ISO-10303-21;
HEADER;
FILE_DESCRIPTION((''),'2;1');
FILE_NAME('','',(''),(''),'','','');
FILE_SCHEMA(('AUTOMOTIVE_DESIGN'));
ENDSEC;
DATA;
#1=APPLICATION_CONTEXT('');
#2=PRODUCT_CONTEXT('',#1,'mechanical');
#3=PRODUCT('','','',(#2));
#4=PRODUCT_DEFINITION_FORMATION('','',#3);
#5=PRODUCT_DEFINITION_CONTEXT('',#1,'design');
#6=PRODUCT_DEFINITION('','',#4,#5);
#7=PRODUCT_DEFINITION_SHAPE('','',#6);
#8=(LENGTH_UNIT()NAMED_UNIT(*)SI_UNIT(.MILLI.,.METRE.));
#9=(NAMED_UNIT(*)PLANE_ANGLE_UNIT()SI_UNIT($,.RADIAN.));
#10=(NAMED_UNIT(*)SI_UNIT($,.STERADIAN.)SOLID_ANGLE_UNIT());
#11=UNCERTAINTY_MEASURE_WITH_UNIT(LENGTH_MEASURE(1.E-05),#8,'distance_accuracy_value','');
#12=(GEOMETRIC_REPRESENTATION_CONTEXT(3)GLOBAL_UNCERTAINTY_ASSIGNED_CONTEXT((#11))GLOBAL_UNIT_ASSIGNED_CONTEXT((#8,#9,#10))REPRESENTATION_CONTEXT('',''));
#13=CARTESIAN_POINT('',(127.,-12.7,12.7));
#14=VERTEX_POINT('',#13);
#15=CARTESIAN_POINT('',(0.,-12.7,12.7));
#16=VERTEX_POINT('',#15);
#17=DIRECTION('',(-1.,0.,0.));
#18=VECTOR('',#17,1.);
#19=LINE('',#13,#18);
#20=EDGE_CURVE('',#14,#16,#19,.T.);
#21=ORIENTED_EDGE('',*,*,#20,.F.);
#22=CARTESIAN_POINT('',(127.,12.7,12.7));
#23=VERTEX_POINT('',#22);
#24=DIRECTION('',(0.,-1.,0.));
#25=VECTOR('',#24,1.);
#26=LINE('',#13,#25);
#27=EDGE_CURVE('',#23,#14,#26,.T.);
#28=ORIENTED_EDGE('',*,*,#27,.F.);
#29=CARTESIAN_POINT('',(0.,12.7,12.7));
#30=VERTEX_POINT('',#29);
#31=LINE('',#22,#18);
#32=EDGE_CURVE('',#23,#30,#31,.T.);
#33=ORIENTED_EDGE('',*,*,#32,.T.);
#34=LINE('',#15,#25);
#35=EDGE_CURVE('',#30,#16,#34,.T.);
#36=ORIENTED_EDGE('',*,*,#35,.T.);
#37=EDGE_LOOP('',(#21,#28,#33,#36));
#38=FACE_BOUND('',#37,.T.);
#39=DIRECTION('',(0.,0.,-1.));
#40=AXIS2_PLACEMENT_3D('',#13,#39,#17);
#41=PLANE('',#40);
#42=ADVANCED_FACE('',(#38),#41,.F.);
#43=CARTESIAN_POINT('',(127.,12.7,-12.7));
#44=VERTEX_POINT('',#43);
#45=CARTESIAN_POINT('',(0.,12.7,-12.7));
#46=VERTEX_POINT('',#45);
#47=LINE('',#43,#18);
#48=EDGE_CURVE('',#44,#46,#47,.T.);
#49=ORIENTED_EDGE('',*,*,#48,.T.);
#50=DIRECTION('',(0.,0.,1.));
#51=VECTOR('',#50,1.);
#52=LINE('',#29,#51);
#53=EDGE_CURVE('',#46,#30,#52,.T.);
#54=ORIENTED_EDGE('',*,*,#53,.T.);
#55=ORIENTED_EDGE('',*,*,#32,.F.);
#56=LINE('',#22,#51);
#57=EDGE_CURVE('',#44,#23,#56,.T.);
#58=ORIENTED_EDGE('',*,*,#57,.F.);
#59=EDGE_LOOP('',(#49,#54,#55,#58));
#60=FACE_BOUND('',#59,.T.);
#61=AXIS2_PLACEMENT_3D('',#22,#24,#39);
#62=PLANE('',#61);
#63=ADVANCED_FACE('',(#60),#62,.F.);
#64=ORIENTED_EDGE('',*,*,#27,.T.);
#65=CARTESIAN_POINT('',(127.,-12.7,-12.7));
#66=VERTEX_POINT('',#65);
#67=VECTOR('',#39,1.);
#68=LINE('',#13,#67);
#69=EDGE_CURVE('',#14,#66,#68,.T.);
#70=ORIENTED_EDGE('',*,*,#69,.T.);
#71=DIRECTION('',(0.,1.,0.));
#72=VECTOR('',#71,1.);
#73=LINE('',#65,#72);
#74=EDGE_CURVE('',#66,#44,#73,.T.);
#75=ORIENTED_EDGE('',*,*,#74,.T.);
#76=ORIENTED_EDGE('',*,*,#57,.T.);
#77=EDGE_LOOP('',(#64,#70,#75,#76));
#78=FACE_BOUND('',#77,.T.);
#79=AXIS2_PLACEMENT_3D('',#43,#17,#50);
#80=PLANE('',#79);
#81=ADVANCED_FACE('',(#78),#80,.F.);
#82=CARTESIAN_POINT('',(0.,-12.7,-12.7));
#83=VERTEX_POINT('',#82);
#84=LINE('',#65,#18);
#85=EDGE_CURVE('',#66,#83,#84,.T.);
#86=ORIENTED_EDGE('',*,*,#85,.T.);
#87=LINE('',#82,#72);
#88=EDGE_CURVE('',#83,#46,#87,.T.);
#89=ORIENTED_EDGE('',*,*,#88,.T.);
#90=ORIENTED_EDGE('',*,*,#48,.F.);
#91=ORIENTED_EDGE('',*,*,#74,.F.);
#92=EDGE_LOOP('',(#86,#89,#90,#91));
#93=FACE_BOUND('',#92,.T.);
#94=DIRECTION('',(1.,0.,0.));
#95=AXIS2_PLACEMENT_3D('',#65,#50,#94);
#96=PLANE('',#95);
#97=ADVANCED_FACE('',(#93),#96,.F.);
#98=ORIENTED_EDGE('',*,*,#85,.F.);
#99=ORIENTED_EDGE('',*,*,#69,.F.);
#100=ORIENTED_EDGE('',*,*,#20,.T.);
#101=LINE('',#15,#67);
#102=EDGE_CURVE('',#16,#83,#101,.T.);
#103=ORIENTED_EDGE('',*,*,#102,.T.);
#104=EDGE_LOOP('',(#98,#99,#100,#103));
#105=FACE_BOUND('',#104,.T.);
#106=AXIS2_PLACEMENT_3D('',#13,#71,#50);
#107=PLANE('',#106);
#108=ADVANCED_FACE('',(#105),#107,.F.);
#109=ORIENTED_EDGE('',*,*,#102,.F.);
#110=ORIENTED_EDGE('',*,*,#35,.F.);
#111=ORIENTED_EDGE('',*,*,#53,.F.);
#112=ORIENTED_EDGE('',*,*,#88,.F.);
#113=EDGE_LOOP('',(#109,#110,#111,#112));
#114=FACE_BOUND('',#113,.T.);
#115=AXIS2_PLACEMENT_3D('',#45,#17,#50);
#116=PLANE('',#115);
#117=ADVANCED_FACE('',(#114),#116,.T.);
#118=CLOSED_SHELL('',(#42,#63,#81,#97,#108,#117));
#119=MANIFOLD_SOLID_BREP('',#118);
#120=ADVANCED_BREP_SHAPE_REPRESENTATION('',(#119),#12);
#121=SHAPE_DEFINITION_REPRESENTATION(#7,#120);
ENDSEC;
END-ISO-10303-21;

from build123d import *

# Parameters (mm, degrees)
SKETCH1_W           = 25.4
SKETCH1_H           = 25.4
BOSS_EXTRUDE1_DEPTH = 127


with BuildPart() as part:
    # Sketch1 → Boss-Extrude1 (new body)
    with BuildSketch(Plane(origin=(0, 0, 0), x_dir=(0, 0, -1), z_dir=(1, 0, 0))):
        Rectangle(SKETCH1_W, SKETCH1_H)
    extrude(amount=BOSS_EXTRUDE1_DEPTH)


solid = part.part
